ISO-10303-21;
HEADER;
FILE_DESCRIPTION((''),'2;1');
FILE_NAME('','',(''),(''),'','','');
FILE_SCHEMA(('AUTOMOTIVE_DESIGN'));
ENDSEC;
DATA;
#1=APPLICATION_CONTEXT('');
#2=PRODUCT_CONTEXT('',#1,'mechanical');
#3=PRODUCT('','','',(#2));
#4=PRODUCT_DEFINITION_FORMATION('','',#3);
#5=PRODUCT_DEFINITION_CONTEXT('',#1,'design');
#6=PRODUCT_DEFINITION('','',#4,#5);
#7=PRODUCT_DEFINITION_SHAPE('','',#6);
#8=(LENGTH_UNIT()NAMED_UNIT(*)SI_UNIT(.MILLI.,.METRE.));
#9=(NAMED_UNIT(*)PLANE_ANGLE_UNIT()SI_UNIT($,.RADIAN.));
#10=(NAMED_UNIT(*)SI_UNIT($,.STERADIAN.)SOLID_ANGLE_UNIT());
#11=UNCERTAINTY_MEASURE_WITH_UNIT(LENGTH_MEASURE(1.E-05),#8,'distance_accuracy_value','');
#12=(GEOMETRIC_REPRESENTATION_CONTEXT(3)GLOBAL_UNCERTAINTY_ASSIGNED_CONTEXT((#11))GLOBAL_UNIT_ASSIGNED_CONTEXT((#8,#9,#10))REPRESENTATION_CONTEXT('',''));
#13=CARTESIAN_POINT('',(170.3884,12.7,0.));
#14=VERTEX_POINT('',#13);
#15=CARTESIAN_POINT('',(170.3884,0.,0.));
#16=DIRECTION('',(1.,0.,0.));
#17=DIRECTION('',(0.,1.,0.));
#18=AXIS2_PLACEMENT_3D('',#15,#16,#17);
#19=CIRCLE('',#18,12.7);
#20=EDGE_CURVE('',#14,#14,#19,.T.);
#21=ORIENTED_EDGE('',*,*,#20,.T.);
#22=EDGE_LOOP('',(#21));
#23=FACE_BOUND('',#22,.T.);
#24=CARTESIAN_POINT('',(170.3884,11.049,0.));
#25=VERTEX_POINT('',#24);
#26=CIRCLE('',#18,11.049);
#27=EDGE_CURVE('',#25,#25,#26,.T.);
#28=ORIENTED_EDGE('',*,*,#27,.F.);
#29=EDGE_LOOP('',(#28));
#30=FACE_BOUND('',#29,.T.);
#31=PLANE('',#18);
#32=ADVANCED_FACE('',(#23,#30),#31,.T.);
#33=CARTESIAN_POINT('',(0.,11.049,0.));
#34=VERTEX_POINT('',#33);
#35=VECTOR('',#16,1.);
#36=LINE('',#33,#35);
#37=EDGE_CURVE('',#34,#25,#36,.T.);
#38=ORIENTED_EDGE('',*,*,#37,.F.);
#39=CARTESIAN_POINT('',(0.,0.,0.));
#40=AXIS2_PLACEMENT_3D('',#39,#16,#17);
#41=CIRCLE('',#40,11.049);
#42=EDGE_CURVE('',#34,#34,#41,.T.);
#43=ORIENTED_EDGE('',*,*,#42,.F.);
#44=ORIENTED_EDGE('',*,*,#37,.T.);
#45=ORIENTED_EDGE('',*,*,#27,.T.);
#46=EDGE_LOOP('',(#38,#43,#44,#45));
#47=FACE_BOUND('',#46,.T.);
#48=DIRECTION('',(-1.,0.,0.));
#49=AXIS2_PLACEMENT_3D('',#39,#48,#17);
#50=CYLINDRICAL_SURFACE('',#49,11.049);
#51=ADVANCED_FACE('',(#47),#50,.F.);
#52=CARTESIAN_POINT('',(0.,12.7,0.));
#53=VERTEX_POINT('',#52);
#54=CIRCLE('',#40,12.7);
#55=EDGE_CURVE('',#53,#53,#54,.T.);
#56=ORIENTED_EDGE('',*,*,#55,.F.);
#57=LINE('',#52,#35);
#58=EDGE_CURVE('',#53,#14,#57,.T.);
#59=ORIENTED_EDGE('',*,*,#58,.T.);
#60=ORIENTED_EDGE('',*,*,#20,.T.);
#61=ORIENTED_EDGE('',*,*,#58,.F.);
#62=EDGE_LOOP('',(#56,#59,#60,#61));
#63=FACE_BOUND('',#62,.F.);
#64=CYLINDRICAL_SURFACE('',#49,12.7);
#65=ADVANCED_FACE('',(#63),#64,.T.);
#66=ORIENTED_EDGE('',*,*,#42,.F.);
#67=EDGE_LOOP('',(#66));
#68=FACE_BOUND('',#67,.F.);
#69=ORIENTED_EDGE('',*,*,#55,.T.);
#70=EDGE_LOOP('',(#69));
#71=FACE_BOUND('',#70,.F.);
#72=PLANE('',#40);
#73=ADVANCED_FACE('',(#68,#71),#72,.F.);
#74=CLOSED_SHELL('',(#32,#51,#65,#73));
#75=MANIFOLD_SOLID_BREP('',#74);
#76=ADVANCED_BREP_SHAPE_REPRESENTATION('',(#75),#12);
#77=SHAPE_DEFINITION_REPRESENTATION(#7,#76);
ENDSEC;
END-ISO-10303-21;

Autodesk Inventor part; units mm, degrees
ref_plane "XZ Plane" through (0, 0, 0) normal (0, 1, 0) x (-1, 0, 0)
ref_plane "Start Plane" through (0, 0, 0) normal (1, 0, 0) x (0, 1, 0)
ref_plane "End Plane" through (170.3884, 0, 0) normal (1, 0, 0) x (0, 1, 0)
sketch "Sketch" plane through (0, 0, 0) normal (1, 0, 0) x (0, 1, 0)
  circle A0 centre (0, 0) radius 12.7
  circle A1 centre (0, 0) radius 11.049
  dimension "d0" = 25.4
  dimension "d1" = 1.651
extrude "Body" add sketch "Sketch" along normal up to surface (170.3884 mm away) from surface at 0
sketch "Sketch2" plane through (0, 0, 0) normal (1, 0, 0) x (0, 1, 0)
  line L0 (0, 0) -> (10, 0)
ref_plane "Work Plane3" through (0, 0, 0) normal (0, 0, -1) x (0, 1, 0)
sketch "Sketch3" plane through (0, 0, 0) normal (0, 0, -1) x (0, 1, 0)
  line L0 (-2, 0) -> (12, 0)
  line L1 (-2, 170.3884) -> (12, 170.3884)
  dimension "d9" = 170.3884
equation "\"G_OFFSET_START\" = 0"
equation "\"G_OFFSET_END\" = 0"
equation "\"d5\" = d2 + G_OFFSET_END"
equation "\"G_L\" = d9"
equation "\"d2\" = 170.38838"
properties part number "4130_1x0.065" material "Steel, Alloy"
